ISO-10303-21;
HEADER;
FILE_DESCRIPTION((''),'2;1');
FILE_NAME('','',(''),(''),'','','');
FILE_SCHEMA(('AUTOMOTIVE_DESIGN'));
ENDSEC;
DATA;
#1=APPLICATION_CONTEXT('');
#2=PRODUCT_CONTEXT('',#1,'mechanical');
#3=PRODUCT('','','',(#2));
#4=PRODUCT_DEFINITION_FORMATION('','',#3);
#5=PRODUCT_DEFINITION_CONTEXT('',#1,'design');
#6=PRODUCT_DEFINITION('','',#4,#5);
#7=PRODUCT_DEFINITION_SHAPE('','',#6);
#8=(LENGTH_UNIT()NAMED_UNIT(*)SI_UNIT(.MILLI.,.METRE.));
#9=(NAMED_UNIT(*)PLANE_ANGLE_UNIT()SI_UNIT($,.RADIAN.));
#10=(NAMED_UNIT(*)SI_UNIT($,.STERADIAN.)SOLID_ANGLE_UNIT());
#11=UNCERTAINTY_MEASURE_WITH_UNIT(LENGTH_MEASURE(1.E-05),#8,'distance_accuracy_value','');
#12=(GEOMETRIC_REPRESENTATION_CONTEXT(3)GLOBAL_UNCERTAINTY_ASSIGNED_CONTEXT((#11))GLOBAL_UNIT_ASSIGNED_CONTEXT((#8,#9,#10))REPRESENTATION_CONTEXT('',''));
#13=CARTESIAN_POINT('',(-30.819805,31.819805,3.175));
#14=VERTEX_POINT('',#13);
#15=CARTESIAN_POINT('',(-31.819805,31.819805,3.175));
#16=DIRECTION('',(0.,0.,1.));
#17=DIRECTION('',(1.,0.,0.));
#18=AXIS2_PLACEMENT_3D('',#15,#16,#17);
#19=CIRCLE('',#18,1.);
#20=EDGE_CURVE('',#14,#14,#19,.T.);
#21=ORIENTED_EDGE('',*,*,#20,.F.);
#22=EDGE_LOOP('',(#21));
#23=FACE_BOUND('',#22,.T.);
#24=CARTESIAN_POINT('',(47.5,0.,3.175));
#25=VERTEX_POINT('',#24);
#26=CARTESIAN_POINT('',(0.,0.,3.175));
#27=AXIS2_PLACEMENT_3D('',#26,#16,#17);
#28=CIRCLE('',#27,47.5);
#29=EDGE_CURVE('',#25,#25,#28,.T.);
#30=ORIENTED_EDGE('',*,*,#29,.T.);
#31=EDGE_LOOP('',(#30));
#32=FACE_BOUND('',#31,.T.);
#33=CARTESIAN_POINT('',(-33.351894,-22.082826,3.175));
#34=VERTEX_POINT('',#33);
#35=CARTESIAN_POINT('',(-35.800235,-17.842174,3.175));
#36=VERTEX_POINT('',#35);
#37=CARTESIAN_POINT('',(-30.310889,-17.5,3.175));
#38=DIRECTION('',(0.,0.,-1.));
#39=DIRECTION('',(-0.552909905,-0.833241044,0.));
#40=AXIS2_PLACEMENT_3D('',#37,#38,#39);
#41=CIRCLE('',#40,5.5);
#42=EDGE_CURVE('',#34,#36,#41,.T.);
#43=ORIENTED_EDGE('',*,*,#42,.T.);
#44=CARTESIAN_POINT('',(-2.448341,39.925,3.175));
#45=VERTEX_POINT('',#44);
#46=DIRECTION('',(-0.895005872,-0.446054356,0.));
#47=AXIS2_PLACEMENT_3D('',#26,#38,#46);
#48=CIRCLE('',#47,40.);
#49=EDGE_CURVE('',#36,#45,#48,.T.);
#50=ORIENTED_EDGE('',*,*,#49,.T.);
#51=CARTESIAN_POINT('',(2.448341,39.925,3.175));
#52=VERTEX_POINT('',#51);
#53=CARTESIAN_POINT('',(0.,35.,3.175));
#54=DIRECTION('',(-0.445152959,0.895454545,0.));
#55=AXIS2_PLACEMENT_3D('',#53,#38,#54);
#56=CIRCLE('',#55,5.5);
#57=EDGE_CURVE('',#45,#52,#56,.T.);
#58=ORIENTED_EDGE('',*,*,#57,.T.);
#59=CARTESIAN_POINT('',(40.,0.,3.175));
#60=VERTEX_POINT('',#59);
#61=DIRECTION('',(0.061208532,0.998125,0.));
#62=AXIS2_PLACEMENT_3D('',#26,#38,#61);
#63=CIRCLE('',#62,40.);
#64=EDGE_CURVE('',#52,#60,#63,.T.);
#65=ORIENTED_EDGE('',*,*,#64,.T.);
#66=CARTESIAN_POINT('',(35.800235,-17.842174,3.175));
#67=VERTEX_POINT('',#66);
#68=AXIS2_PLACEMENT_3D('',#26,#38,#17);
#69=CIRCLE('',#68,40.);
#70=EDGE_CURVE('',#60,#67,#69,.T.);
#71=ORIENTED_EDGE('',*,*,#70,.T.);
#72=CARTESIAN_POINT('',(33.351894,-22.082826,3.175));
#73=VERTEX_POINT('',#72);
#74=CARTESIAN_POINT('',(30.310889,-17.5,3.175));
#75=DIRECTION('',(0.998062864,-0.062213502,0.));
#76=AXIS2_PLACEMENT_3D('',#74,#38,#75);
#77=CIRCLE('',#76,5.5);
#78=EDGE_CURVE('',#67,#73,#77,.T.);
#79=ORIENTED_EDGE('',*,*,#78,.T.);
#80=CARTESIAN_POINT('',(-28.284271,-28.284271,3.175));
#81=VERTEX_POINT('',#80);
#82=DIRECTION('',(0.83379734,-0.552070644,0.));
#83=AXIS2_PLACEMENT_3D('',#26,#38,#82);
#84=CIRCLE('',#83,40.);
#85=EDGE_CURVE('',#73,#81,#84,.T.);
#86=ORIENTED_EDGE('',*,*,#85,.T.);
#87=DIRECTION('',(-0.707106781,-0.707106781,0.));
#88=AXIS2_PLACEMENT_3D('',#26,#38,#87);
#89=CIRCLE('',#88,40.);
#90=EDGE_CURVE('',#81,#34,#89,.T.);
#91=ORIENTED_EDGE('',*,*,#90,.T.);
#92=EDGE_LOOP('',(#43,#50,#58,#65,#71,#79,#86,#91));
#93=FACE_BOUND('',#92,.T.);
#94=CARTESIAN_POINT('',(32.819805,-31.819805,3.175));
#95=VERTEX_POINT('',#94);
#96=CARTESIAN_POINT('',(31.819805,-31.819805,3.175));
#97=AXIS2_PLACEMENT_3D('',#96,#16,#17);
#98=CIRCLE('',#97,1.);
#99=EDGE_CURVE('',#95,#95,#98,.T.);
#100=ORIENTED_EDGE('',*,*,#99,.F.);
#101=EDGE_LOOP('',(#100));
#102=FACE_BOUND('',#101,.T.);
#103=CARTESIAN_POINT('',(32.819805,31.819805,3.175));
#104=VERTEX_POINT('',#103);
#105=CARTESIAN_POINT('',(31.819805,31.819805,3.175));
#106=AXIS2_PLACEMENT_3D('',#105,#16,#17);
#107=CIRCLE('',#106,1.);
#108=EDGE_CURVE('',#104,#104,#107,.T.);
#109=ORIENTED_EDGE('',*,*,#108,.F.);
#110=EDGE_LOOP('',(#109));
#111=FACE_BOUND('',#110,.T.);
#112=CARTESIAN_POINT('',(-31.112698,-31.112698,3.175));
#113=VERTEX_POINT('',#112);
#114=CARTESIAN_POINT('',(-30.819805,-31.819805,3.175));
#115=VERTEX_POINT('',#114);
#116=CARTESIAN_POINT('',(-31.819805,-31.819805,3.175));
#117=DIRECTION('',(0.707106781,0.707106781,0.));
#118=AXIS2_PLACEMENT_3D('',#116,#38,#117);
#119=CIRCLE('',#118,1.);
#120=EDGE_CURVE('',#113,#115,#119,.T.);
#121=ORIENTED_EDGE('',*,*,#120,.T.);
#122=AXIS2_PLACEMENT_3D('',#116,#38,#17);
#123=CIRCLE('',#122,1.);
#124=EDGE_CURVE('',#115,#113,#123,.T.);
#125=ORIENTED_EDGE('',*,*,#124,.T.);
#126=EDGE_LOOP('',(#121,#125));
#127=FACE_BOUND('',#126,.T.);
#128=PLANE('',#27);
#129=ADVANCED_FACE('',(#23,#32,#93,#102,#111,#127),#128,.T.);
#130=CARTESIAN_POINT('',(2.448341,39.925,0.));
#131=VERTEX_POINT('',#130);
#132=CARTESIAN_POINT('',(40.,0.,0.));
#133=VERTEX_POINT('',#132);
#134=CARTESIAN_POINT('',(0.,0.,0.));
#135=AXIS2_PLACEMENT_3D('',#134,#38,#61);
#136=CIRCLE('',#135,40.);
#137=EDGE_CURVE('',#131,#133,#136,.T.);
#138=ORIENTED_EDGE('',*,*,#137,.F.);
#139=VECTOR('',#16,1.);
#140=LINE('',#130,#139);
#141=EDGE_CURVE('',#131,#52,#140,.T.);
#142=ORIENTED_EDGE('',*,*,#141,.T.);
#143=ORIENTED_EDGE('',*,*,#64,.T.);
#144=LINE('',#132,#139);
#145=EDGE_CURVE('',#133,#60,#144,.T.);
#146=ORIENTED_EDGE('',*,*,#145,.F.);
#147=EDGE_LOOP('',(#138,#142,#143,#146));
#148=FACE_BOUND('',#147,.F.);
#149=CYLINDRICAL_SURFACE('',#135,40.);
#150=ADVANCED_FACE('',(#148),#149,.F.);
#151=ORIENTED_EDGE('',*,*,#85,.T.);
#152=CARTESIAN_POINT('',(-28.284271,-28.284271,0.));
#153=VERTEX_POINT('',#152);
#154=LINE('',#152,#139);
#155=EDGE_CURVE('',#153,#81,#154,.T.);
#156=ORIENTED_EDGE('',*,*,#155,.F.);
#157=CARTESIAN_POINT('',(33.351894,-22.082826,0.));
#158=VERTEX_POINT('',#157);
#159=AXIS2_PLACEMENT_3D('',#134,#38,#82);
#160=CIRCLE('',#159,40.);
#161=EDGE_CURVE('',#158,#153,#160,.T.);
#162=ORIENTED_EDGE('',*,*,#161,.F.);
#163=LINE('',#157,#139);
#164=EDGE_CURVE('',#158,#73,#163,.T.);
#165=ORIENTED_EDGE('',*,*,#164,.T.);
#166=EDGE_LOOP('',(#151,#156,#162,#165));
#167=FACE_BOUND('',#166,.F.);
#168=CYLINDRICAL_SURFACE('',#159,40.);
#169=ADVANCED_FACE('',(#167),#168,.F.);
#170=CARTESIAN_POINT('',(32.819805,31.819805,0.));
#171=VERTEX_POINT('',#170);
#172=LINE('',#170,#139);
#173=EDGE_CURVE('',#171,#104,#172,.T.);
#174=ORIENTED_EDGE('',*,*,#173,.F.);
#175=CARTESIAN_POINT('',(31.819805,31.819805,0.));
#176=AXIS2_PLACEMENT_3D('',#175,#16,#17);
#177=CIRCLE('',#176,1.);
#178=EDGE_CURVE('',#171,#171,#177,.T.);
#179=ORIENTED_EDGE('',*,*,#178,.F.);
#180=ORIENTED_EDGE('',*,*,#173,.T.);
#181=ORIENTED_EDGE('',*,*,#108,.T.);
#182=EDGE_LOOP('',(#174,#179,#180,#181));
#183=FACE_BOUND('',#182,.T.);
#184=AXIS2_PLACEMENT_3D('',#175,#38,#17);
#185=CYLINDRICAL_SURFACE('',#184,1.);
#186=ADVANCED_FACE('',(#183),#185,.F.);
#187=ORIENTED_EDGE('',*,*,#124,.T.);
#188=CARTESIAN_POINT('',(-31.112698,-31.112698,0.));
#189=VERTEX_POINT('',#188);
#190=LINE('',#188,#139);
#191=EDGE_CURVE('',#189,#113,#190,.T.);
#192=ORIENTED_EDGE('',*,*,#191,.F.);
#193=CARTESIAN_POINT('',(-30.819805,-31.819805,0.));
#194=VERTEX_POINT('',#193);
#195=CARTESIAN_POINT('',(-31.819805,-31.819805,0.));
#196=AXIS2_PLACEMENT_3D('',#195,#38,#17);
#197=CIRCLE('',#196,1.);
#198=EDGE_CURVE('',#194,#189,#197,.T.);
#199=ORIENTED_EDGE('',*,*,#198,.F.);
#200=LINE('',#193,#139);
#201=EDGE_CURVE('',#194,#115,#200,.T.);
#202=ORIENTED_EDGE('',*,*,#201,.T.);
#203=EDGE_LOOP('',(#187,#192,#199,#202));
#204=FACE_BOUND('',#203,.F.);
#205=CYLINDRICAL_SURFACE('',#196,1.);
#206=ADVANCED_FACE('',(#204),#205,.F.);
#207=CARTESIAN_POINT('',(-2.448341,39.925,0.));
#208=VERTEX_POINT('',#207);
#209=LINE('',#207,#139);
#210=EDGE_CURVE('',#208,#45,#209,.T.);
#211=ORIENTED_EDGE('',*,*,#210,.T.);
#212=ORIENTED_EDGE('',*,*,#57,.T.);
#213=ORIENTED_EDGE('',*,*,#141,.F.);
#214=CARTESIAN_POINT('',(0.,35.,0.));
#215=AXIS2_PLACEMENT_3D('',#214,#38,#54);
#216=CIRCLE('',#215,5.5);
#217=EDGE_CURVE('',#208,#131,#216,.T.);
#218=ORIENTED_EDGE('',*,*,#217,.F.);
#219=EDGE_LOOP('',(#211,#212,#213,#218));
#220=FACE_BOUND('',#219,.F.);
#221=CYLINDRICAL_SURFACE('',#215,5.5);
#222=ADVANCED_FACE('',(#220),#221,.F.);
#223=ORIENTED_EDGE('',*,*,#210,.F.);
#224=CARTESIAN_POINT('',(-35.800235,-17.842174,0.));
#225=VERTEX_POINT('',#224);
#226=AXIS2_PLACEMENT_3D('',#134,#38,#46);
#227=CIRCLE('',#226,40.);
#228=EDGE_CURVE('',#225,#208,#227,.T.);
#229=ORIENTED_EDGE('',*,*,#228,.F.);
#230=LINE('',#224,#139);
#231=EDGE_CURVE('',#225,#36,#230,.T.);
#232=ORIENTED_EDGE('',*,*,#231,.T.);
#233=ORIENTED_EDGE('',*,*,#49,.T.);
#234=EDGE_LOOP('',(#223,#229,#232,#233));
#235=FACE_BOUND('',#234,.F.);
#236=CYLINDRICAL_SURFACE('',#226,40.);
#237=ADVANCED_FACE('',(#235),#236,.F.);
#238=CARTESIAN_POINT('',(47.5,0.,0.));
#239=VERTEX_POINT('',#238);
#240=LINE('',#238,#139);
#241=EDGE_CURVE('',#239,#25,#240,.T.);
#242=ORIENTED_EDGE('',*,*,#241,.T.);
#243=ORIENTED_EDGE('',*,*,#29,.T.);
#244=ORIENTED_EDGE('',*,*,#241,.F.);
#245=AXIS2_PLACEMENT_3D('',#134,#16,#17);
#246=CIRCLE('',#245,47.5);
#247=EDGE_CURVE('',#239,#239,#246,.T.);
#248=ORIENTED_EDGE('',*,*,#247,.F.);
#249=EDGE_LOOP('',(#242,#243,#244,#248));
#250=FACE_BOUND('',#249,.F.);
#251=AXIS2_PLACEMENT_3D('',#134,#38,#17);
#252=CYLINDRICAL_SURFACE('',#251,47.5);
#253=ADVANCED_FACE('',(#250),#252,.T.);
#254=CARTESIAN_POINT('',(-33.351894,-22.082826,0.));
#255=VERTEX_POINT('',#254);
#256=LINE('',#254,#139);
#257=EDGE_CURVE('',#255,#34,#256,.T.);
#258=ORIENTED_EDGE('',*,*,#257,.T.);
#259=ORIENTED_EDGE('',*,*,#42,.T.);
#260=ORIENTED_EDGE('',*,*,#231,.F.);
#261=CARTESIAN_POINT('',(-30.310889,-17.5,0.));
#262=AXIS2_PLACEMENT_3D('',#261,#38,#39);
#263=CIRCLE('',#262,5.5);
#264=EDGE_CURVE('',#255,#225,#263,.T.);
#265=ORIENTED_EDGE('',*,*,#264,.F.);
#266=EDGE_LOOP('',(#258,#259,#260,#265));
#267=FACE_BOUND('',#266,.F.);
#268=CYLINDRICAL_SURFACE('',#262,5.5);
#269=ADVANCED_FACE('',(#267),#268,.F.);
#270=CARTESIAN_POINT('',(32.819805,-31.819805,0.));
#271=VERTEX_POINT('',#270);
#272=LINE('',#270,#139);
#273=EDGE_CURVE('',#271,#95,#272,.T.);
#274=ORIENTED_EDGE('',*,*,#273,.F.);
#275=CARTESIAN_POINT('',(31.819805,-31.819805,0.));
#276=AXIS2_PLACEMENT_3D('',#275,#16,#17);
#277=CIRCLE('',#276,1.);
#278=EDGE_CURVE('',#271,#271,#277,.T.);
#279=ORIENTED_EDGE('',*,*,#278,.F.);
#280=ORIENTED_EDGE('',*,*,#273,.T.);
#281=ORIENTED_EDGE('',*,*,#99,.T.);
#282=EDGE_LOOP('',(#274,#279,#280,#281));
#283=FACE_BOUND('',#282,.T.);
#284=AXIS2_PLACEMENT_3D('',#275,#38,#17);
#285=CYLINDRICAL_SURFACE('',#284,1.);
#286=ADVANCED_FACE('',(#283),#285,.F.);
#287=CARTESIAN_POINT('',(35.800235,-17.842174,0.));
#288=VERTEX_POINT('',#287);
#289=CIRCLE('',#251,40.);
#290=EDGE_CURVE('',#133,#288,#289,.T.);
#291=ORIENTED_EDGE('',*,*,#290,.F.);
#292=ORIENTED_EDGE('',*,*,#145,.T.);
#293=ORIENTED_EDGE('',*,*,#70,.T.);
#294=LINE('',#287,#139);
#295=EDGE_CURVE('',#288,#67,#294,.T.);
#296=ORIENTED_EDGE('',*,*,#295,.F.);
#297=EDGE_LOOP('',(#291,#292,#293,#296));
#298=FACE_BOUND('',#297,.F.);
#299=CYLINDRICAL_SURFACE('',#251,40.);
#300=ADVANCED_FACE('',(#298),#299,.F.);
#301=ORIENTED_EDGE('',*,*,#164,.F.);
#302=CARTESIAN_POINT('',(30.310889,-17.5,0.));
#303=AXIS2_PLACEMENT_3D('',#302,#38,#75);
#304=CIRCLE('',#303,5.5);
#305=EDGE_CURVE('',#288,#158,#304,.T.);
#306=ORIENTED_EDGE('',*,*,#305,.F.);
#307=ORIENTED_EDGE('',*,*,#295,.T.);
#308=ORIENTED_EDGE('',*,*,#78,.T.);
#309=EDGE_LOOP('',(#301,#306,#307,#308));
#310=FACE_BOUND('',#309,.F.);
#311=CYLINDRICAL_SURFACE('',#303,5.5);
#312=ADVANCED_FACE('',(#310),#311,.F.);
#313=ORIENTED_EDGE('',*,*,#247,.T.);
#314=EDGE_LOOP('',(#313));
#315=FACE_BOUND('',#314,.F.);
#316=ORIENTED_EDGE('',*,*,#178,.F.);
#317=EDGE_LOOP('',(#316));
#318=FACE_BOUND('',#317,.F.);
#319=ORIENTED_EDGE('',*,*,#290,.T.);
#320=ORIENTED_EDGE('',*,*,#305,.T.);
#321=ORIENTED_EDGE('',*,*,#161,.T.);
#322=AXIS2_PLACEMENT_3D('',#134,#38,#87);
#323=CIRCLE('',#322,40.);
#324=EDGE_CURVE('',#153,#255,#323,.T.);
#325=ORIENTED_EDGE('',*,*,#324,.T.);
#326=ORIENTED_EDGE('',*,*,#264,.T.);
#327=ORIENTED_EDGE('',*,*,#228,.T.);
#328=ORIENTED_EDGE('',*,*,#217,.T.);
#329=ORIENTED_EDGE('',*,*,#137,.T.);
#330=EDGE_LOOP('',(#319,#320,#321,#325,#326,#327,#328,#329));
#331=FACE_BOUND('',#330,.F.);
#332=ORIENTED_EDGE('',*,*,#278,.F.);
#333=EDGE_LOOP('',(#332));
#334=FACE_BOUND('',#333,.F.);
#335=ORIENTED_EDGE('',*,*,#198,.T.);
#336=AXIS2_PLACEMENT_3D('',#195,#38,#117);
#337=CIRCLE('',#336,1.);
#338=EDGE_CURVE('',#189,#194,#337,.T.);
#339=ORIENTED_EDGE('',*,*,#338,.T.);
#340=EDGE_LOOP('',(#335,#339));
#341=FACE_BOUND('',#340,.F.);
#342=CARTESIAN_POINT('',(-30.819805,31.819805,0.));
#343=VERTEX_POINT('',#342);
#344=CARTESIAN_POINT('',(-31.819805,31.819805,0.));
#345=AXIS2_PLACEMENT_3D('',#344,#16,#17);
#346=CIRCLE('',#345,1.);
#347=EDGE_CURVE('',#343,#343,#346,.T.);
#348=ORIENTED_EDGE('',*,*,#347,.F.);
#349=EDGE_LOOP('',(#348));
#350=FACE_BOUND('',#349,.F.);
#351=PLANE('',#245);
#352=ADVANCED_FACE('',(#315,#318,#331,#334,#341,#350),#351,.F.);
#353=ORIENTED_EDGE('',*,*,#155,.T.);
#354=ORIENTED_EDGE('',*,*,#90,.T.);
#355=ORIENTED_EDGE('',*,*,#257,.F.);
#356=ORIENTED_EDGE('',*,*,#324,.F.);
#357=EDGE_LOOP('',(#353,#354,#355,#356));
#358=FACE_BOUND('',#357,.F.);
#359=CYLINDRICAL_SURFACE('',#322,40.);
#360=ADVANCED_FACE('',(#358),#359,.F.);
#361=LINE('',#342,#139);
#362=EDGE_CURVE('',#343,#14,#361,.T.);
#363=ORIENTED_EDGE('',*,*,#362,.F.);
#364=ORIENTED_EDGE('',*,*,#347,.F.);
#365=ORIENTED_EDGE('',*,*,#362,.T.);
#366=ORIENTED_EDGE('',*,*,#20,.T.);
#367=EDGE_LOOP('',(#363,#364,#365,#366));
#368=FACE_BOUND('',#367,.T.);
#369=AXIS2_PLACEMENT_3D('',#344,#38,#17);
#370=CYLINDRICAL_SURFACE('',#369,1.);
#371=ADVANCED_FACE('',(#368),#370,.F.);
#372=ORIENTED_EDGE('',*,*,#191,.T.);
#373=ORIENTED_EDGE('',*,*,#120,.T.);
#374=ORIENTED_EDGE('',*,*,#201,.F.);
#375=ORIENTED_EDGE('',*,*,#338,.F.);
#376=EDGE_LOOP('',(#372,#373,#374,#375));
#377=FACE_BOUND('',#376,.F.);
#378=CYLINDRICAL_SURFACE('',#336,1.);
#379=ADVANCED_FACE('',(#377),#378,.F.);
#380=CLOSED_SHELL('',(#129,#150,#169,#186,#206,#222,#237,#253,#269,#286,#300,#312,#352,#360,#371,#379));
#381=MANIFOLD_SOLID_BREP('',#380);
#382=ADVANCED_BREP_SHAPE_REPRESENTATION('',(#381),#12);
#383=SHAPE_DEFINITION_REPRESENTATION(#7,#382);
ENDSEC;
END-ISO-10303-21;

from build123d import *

# Parameters (mm, degrees)
F0_R     = 47.5
F0_R_2   = 1
F1_DEPTH = 3.175


with BuildPart() as f1:
    # F0 (on Top) → F1 (new body)
    with BuildSketch(Plane.XY):
        Circle(F0_R)
        with BuildLine():
            ThreePointArc((-30.8198051534, -31.8198051534), (-32.7436846859, -32.2024885858), (-31.1126983722, -31.1126983722))
            ThreePointArc((-31.1126983722, -31.1126983722), (-30.8959256209, -31.437121721), (-30.8198051534, -31.8198051534))
        make_face(mode=Mode.SUBTRACT)
        with Locations((31.8198051534, -31.8198051534)):
            Circle(F0_R_2, mode=Mode.SUBTRACT)
        with Locations((-31.8198051534, 31.8198051534)):
            Circle(F0_R_2, mode=Mode.SUBTRACT)
        with BuildLine():
            ThreePointArc((33.3518936085, -22.0828257415), (4.0043327396, -39.7990617893), (-28.2842712475, -28.2842712475))
            ThreePointArc((-28.2842712475, -28.2842712475), (-30.9736773104, -25.3106956418), (-33.3518936085, -22.0828257415))
            ThreePointArc((-33.3518936085, -22.0828257415), (-35.0740288533, -20.25), (-35.8002348837, -17.8421742585))
            ThreePointArc((-35.8002348837, -17.8421742585), (-34.6410161514, 20), (-2.4483412752, 39.925))
            ThreePointArc((-2.4483412752, 39.925), (0, 40.5), (2.4483412752, 39.925))
            ThreePointArc((2.4483412752, 39.925), (29.1370352902, 27.4049844827), (40, 0))
            ThreePointArc((40, 0), (38.9359049936, -9.1648951072), (35.8002348837, -17.8421742585))
            ThreePointArc((35.8002348837, -17.8421742585), (35.0740288533, -20.25), (33.3518936085, -22.0828257415))
        make_face(mode=Mode.SUBTRACT)
        with Locations((31.8198051534, 31.8198051534)):
            Circle(F0_R_2, mode=Mode.SUBTRACT)
    extrude(amount=F1_DEPTH)


solid = f1.part
